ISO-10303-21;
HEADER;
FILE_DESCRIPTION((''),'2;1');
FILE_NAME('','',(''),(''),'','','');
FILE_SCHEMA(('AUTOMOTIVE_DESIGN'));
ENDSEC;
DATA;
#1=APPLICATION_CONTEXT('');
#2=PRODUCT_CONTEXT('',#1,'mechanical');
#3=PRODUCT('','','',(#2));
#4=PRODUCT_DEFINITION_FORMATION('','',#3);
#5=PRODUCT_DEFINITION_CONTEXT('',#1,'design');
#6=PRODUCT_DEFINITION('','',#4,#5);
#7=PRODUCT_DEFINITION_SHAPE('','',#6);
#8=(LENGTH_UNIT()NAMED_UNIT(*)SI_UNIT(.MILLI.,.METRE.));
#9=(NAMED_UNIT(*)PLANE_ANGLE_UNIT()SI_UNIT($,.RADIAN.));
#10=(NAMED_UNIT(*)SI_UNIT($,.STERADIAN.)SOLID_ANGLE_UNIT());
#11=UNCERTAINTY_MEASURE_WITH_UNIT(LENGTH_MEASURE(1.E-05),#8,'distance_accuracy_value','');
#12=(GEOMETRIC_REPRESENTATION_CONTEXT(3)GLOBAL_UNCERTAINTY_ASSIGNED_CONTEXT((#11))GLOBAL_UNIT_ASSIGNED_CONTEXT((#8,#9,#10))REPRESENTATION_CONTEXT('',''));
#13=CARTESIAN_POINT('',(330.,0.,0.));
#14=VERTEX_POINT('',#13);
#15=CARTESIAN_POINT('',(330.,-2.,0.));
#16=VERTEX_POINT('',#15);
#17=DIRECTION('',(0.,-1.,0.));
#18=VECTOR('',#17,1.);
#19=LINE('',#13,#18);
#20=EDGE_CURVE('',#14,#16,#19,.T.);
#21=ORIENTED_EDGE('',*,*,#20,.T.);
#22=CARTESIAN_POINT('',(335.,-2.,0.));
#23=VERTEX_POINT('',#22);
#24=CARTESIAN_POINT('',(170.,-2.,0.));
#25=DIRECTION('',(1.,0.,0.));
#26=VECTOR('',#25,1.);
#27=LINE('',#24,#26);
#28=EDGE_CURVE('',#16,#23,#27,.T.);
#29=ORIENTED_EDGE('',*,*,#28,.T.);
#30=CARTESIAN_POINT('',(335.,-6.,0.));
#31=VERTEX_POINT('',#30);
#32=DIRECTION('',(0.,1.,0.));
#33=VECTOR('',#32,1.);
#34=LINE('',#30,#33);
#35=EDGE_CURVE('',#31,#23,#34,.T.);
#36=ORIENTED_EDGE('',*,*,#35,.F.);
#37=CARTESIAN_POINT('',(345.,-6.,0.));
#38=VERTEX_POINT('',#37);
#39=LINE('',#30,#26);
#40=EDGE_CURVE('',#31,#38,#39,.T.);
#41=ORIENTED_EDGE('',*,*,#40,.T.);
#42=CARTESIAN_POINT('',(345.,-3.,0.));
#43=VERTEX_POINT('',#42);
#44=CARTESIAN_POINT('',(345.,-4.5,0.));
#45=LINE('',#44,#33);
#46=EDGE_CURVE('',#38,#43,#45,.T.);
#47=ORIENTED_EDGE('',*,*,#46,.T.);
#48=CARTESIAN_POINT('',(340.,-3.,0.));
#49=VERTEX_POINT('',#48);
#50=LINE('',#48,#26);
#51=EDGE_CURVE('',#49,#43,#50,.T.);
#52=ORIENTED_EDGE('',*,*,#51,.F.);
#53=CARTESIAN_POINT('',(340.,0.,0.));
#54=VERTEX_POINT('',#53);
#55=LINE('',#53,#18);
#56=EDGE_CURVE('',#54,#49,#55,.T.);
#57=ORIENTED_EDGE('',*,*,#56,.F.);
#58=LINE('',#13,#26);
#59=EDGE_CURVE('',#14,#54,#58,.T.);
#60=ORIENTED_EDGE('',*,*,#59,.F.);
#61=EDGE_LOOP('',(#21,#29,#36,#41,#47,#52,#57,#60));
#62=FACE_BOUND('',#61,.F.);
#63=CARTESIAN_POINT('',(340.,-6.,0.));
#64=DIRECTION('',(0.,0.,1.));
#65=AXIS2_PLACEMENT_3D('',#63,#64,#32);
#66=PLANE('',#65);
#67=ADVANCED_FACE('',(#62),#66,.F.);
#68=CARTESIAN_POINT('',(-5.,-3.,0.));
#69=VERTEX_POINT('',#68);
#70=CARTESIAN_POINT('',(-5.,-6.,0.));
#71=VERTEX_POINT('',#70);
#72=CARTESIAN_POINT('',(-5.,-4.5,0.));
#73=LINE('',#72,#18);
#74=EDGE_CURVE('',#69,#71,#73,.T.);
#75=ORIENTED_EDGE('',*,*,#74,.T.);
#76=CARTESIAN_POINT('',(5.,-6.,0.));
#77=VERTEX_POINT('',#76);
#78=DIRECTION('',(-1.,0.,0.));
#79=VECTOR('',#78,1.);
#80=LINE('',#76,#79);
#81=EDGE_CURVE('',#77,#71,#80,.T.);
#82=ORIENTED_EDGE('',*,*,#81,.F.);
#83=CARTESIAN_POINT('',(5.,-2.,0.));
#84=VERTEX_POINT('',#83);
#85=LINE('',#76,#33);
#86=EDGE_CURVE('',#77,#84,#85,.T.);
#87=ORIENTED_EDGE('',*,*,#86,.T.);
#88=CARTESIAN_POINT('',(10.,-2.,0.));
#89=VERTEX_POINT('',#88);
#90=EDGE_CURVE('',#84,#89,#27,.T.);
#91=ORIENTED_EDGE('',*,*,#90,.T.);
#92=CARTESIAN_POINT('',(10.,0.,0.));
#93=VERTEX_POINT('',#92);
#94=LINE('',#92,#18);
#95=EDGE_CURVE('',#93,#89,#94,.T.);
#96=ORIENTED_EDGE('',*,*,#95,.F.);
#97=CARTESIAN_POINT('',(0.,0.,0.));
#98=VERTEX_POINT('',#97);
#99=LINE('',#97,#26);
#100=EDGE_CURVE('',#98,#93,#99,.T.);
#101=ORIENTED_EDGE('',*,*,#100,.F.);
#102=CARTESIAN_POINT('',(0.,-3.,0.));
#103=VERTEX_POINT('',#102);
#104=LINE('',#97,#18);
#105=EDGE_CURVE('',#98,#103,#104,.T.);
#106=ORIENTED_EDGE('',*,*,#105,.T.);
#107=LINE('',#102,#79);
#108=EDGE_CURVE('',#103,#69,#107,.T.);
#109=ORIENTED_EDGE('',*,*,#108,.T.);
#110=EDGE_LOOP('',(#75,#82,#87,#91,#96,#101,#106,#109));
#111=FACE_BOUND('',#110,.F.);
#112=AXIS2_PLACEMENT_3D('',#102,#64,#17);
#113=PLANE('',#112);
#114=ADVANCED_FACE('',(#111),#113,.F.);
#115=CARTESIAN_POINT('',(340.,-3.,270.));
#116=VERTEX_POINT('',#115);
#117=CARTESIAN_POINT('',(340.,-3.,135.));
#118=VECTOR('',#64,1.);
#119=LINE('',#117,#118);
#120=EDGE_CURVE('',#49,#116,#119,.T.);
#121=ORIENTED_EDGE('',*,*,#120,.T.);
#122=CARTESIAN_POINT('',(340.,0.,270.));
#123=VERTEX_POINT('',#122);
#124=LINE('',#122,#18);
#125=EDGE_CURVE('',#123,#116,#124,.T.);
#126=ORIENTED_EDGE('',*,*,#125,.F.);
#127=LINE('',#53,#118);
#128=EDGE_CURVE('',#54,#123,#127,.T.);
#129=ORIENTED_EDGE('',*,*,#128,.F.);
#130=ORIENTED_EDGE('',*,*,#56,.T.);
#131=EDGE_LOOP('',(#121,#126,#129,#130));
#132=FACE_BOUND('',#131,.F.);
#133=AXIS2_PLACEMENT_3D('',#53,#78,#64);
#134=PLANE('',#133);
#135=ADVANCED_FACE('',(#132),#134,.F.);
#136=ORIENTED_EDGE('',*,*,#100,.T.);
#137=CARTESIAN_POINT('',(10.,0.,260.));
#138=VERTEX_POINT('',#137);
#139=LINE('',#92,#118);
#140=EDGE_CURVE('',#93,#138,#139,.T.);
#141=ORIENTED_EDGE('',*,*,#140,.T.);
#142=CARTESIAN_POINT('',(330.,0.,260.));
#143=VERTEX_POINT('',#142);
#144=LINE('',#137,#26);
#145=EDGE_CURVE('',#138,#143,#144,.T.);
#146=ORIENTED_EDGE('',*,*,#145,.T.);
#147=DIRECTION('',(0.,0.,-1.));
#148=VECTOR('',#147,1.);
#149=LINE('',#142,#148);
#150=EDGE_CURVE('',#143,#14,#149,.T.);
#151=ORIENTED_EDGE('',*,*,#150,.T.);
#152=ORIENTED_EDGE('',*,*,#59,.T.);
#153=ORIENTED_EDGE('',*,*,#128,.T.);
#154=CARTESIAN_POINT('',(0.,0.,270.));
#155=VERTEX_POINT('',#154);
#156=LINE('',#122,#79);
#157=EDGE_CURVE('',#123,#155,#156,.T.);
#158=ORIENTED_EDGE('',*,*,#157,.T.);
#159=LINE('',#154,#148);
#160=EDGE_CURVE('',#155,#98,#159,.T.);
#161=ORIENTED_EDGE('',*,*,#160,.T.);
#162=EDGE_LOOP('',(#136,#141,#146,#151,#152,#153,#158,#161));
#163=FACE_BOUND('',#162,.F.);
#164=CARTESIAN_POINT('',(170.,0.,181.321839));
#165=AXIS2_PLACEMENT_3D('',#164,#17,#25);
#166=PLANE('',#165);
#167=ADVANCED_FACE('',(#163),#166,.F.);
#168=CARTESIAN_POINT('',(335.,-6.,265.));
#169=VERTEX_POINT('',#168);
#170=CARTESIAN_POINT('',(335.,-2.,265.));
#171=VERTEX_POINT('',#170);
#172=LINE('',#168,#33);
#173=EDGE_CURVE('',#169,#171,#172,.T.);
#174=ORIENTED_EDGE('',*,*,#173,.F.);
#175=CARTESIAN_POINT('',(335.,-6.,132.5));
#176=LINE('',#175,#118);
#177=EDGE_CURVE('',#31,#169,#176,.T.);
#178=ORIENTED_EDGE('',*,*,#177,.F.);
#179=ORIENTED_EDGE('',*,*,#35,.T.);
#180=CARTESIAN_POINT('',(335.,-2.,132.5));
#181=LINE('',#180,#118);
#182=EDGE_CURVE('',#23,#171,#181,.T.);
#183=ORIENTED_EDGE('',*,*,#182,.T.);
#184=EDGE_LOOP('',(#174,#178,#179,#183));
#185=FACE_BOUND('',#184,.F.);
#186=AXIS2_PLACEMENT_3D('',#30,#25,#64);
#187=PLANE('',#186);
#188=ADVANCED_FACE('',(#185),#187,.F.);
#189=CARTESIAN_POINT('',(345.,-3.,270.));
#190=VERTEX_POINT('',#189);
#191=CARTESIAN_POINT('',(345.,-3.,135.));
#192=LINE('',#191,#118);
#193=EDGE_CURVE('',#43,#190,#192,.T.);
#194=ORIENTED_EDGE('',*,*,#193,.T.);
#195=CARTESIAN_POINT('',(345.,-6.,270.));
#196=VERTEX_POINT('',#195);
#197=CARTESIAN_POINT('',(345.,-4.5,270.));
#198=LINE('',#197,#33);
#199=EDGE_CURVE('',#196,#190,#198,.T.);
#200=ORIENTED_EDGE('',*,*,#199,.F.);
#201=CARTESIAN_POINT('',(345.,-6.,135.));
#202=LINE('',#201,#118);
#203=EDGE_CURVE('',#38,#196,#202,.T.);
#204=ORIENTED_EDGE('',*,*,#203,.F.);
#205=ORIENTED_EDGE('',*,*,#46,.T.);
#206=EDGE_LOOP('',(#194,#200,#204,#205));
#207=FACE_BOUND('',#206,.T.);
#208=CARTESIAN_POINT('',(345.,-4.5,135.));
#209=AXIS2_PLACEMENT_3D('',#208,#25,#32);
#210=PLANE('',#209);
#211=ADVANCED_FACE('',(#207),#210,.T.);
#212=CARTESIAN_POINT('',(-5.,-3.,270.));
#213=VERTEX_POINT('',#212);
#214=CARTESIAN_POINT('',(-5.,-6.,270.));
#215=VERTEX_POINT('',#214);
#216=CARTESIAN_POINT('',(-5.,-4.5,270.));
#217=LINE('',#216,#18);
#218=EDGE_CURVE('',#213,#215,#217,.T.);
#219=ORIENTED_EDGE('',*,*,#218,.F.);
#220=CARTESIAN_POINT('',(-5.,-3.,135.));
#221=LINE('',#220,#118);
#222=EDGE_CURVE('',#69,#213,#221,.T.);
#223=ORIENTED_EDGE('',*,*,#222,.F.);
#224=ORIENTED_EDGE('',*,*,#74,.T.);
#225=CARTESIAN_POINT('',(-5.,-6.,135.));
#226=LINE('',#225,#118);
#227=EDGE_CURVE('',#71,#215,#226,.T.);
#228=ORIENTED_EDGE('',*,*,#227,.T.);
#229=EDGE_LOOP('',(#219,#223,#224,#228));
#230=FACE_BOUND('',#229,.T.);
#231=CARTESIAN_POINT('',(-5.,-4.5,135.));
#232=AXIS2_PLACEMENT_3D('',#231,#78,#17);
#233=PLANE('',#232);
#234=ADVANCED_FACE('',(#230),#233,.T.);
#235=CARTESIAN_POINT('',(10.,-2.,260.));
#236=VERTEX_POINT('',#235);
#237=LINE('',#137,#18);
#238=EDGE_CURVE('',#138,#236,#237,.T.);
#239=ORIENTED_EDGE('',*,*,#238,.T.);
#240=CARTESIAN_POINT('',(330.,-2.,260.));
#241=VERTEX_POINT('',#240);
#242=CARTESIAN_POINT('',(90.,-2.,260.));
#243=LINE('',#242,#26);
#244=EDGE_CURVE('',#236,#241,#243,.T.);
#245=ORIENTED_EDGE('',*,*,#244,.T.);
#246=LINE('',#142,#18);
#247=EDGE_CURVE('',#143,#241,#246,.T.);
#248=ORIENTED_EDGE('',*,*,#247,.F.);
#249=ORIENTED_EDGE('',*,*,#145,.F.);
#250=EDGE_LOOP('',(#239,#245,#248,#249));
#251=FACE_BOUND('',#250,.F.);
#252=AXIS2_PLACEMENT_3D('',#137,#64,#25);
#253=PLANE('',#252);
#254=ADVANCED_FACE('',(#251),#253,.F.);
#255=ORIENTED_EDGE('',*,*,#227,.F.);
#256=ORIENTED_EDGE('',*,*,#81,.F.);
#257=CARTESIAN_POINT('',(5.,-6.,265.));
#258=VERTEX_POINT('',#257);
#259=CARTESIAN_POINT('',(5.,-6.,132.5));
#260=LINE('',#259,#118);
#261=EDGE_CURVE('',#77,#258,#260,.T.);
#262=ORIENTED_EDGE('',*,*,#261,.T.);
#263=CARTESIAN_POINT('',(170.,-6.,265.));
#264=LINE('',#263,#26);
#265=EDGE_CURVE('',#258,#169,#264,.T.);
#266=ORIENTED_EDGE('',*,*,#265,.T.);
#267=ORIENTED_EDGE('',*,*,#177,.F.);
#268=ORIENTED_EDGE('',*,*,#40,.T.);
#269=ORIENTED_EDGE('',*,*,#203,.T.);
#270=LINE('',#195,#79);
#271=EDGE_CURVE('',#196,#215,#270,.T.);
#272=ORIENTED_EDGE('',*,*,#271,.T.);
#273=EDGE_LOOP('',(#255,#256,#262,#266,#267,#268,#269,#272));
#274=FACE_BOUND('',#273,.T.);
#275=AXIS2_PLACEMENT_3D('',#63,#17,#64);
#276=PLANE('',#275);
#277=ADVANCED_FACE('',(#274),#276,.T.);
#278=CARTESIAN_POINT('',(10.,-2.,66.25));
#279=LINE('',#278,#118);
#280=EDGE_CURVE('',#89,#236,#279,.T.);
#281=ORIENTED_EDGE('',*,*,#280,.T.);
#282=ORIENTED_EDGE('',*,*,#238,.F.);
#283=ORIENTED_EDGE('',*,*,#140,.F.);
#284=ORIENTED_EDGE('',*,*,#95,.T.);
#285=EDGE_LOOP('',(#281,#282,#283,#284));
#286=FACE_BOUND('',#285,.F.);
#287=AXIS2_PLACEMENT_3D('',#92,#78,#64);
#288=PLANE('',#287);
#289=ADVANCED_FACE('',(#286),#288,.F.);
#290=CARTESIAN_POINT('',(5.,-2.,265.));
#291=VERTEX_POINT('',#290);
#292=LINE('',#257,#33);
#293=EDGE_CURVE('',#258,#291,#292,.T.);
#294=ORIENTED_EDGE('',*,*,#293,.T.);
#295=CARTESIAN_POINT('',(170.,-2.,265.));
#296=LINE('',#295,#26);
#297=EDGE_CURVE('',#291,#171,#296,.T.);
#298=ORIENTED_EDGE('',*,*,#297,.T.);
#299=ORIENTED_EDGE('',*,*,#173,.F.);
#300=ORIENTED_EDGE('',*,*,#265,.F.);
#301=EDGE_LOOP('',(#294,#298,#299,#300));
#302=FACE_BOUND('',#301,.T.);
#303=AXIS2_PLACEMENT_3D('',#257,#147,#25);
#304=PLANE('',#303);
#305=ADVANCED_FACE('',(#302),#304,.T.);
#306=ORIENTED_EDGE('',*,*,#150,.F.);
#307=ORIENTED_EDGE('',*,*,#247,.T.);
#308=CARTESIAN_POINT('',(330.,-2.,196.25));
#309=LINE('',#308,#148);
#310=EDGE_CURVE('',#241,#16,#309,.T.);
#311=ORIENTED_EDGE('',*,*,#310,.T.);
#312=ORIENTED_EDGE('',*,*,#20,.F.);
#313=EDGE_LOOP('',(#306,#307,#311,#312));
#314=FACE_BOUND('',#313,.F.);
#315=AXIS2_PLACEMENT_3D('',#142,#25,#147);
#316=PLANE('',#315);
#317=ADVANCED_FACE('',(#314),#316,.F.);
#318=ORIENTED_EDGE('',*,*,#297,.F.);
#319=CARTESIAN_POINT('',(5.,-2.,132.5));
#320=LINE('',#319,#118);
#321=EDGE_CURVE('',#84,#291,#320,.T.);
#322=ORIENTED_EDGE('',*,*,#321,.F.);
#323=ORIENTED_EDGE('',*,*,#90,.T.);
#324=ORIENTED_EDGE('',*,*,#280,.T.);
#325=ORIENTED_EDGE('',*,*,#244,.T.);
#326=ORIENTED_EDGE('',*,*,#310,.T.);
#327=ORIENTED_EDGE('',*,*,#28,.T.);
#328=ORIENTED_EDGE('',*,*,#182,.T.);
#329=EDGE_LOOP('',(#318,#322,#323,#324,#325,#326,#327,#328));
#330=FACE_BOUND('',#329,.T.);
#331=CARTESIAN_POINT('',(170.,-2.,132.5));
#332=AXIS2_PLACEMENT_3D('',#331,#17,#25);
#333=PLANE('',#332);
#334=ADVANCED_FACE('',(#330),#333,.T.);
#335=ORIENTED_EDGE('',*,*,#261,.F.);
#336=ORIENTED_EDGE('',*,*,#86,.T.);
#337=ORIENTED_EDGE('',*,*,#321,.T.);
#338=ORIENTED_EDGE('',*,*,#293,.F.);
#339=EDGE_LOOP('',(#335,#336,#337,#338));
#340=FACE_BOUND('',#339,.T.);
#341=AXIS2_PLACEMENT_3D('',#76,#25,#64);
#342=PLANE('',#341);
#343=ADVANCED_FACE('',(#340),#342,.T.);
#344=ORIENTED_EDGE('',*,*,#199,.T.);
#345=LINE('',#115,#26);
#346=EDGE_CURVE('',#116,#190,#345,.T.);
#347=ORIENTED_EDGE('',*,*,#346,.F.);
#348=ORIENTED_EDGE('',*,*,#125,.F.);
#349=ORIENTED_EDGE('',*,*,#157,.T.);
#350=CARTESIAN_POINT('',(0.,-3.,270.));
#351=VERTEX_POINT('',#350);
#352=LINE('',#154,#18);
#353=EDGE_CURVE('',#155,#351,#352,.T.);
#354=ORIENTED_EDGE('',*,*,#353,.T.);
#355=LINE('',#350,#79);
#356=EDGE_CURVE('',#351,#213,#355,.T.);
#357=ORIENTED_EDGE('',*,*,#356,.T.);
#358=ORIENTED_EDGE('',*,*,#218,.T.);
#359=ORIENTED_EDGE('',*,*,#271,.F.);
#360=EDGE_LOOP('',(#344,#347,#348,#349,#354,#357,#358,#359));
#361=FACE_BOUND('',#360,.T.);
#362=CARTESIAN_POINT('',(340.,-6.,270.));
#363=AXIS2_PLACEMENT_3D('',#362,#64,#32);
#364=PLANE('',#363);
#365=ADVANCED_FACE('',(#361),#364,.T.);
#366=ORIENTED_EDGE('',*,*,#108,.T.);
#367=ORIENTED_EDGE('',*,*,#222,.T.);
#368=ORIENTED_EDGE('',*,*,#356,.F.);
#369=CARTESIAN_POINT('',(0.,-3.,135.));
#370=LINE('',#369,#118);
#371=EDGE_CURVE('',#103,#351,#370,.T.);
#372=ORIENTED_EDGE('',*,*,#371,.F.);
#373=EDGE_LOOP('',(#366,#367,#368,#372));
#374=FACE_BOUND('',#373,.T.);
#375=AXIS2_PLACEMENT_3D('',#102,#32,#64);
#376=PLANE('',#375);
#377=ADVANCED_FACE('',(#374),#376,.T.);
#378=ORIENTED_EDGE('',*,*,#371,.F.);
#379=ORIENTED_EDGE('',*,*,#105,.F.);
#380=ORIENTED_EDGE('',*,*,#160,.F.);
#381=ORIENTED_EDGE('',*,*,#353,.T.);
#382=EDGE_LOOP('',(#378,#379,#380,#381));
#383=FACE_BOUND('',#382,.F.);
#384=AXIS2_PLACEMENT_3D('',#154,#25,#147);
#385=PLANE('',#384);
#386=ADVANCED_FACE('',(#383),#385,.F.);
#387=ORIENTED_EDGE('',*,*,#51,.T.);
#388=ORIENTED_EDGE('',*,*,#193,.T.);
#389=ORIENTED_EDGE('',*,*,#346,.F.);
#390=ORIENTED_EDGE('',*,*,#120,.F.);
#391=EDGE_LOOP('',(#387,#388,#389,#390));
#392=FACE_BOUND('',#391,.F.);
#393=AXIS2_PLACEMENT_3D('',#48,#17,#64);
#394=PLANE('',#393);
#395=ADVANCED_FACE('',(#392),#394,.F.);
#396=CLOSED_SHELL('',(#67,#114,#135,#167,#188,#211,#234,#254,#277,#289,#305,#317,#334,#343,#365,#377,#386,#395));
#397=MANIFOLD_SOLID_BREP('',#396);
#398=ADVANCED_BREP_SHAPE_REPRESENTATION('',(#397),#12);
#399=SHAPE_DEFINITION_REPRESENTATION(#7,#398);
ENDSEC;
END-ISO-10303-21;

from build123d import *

# Parameters (mm, degrees)
F1_DEPTH = 6
F2_W     = 330
F2_H     = 265
F3_DEPTH = 4
F4_W     = 3
F4_H     = 270
F5_DEPTH = 5
F6_W     = 3
F6_H     = 270
F7_DEPTH = 5


with BuildPart() as f1:
    # F0 (on Front) → F1 (new body)
    with BuildSketch(Plane.XZ):
        Polygon((0, 270), (0, 0), (10, 0), (10, 260), (330, 260), (330, 0), (340, 0), (340, 270), align=None)
    extrude(amount=F1_DEPTH)

    # F2 (on face) → F3 (cut)
    with BuildSketch(Plane.XZ.offset(6)):
        with Locations((170, 132.5)):
            Rectangle(F2_W, F2_H)
    extrude(amount=-F3_DEPTH, mode=Mode.SUBTRACT)

    # F4 (on face) → F5 (join)
    with BuildSketch(Plane(origin=(0, 0, 0), x_dir=(0, -1, 0), z_dir=(-1, 0, 0))):
        with Locations((4.5, 135)):
            Rectangle(F4_W, F4_H)
    extrude(amount=F5_DEPTH)

    # F6 (on face) → F7 (join)
    with BuildSketch(Plane.YZ.offset(340)):
        with Locations((-4.5, 135)):
            Rectangle(F6_W, F6_H)
    extrude(amount=F7_DEPTH)


solid = f1.part
